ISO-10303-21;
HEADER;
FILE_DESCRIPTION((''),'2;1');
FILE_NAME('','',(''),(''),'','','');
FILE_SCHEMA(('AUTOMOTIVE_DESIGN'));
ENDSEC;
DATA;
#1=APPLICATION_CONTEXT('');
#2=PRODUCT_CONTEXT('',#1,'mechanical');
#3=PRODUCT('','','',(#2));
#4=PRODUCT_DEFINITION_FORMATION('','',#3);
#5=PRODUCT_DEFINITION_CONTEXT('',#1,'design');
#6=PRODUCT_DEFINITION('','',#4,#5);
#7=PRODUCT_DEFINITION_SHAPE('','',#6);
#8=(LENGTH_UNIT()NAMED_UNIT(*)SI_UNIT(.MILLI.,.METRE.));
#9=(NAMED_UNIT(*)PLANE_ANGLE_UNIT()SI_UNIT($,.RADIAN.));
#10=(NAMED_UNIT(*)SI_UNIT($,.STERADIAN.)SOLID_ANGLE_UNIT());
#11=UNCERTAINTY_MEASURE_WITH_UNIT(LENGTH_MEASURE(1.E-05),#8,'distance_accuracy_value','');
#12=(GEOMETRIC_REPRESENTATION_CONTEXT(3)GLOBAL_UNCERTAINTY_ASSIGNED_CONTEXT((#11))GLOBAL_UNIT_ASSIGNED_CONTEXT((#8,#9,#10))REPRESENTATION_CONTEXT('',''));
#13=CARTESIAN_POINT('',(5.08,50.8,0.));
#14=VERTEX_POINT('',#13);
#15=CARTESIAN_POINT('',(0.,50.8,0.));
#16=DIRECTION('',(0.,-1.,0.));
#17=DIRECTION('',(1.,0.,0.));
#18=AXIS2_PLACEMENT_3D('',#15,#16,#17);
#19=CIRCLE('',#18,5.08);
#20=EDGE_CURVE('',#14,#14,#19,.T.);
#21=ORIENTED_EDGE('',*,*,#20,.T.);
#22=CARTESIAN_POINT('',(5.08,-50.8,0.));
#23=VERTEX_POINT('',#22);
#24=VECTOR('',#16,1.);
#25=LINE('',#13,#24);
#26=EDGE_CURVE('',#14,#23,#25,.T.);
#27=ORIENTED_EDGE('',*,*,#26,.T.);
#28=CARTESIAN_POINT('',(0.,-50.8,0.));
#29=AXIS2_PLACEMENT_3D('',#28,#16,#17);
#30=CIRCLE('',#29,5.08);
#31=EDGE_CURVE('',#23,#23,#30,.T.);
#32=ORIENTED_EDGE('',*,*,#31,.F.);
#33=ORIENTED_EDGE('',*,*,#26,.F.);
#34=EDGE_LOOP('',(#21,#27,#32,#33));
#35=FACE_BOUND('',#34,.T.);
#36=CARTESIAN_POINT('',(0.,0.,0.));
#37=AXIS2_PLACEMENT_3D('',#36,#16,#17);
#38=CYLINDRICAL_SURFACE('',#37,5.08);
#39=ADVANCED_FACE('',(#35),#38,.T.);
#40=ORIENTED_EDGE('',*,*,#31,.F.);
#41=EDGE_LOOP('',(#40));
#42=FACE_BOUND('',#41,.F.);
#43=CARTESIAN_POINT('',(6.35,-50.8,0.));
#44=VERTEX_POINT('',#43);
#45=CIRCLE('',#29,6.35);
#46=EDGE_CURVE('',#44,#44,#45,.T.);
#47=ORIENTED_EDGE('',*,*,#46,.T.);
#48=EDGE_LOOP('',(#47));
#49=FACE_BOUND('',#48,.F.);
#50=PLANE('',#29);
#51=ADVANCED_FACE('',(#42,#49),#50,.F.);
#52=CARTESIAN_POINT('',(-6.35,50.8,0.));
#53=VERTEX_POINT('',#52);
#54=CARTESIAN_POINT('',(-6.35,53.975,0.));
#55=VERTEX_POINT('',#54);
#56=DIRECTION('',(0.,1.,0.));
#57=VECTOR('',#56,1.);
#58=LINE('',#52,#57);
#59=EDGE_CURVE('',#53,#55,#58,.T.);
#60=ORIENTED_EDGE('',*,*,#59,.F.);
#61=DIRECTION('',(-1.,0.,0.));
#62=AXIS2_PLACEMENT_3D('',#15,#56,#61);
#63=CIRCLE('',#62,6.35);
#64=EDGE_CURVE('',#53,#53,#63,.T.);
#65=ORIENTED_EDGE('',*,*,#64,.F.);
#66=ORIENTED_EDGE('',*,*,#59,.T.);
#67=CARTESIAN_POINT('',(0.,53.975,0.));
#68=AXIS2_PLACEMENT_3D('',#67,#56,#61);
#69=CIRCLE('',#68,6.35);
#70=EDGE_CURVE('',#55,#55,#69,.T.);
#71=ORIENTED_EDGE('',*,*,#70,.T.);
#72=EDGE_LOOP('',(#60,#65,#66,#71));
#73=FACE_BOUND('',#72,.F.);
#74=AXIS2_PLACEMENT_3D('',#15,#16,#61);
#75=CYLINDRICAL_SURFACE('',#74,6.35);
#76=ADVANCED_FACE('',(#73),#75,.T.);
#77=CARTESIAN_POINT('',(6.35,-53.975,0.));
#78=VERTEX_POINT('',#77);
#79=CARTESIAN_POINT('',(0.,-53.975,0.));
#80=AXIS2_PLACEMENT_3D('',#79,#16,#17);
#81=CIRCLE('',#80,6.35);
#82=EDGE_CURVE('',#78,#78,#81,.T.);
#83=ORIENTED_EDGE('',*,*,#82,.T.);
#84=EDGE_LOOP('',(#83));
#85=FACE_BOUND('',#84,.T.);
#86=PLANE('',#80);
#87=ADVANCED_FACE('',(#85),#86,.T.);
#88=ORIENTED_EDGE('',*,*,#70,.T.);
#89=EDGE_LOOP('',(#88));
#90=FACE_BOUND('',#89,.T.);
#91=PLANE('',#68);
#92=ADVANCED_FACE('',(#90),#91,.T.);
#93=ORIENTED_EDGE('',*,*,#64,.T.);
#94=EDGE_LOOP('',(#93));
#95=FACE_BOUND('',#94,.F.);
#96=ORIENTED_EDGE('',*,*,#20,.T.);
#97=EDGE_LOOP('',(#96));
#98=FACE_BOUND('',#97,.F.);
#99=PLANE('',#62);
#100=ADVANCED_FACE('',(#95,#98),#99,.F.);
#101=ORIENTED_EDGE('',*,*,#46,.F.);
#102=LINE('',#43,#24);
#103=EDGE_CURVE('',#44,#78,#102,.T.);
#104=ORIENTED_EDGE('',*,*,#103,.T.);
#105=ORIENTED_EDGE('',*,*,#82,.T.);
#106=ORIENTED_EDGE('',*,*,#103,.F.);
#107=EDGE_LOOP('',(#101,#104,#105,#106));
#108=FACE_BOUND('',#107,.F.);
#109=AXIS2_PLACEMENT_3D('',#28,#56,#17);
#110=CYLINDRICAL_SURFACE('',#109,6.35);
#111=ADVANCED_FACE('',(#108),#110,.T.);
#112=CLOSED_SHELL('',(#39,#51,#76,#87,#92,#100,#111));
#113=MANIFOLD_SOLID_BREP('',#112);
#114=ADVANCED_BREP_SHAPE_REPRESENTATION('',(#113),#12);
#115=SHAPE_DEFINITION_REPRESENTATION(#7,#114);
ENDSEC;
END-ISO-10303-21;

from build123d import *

# Parameters (mm, degrees)
F0_R     = 5.08
F1_DEPTH = 50.8
F2_R     = 6.35
F3_DEPTH = 3.175
F4_R     = 6.35
F5_DEPTH = 3.175


with BuildPart() as f1:
    # F0 (on Front) → F1 (new body, symmetric)
    with BuildSketch(Plane.XZ):
        Circle(F0_R)
    extrude(amount=F1_DEPTH, both=True)

    # F2 (on face) → F3 (join)
    with BuildSketch(Plane.XZ.offset(50.8)):
        Circle(F2_R)
    extrude(amount=F3_DEPTH)

    # F4 (on face) → F5 (join)
    with BuildSketch(Plane(origin=(0, 50.8, 0), x_dir=(-1, 0, 0), z_dir=(0, 1, 0))):
        Circle(F4_R)
    extrude(amount=F5_DEPTH)


solid = f1.part
